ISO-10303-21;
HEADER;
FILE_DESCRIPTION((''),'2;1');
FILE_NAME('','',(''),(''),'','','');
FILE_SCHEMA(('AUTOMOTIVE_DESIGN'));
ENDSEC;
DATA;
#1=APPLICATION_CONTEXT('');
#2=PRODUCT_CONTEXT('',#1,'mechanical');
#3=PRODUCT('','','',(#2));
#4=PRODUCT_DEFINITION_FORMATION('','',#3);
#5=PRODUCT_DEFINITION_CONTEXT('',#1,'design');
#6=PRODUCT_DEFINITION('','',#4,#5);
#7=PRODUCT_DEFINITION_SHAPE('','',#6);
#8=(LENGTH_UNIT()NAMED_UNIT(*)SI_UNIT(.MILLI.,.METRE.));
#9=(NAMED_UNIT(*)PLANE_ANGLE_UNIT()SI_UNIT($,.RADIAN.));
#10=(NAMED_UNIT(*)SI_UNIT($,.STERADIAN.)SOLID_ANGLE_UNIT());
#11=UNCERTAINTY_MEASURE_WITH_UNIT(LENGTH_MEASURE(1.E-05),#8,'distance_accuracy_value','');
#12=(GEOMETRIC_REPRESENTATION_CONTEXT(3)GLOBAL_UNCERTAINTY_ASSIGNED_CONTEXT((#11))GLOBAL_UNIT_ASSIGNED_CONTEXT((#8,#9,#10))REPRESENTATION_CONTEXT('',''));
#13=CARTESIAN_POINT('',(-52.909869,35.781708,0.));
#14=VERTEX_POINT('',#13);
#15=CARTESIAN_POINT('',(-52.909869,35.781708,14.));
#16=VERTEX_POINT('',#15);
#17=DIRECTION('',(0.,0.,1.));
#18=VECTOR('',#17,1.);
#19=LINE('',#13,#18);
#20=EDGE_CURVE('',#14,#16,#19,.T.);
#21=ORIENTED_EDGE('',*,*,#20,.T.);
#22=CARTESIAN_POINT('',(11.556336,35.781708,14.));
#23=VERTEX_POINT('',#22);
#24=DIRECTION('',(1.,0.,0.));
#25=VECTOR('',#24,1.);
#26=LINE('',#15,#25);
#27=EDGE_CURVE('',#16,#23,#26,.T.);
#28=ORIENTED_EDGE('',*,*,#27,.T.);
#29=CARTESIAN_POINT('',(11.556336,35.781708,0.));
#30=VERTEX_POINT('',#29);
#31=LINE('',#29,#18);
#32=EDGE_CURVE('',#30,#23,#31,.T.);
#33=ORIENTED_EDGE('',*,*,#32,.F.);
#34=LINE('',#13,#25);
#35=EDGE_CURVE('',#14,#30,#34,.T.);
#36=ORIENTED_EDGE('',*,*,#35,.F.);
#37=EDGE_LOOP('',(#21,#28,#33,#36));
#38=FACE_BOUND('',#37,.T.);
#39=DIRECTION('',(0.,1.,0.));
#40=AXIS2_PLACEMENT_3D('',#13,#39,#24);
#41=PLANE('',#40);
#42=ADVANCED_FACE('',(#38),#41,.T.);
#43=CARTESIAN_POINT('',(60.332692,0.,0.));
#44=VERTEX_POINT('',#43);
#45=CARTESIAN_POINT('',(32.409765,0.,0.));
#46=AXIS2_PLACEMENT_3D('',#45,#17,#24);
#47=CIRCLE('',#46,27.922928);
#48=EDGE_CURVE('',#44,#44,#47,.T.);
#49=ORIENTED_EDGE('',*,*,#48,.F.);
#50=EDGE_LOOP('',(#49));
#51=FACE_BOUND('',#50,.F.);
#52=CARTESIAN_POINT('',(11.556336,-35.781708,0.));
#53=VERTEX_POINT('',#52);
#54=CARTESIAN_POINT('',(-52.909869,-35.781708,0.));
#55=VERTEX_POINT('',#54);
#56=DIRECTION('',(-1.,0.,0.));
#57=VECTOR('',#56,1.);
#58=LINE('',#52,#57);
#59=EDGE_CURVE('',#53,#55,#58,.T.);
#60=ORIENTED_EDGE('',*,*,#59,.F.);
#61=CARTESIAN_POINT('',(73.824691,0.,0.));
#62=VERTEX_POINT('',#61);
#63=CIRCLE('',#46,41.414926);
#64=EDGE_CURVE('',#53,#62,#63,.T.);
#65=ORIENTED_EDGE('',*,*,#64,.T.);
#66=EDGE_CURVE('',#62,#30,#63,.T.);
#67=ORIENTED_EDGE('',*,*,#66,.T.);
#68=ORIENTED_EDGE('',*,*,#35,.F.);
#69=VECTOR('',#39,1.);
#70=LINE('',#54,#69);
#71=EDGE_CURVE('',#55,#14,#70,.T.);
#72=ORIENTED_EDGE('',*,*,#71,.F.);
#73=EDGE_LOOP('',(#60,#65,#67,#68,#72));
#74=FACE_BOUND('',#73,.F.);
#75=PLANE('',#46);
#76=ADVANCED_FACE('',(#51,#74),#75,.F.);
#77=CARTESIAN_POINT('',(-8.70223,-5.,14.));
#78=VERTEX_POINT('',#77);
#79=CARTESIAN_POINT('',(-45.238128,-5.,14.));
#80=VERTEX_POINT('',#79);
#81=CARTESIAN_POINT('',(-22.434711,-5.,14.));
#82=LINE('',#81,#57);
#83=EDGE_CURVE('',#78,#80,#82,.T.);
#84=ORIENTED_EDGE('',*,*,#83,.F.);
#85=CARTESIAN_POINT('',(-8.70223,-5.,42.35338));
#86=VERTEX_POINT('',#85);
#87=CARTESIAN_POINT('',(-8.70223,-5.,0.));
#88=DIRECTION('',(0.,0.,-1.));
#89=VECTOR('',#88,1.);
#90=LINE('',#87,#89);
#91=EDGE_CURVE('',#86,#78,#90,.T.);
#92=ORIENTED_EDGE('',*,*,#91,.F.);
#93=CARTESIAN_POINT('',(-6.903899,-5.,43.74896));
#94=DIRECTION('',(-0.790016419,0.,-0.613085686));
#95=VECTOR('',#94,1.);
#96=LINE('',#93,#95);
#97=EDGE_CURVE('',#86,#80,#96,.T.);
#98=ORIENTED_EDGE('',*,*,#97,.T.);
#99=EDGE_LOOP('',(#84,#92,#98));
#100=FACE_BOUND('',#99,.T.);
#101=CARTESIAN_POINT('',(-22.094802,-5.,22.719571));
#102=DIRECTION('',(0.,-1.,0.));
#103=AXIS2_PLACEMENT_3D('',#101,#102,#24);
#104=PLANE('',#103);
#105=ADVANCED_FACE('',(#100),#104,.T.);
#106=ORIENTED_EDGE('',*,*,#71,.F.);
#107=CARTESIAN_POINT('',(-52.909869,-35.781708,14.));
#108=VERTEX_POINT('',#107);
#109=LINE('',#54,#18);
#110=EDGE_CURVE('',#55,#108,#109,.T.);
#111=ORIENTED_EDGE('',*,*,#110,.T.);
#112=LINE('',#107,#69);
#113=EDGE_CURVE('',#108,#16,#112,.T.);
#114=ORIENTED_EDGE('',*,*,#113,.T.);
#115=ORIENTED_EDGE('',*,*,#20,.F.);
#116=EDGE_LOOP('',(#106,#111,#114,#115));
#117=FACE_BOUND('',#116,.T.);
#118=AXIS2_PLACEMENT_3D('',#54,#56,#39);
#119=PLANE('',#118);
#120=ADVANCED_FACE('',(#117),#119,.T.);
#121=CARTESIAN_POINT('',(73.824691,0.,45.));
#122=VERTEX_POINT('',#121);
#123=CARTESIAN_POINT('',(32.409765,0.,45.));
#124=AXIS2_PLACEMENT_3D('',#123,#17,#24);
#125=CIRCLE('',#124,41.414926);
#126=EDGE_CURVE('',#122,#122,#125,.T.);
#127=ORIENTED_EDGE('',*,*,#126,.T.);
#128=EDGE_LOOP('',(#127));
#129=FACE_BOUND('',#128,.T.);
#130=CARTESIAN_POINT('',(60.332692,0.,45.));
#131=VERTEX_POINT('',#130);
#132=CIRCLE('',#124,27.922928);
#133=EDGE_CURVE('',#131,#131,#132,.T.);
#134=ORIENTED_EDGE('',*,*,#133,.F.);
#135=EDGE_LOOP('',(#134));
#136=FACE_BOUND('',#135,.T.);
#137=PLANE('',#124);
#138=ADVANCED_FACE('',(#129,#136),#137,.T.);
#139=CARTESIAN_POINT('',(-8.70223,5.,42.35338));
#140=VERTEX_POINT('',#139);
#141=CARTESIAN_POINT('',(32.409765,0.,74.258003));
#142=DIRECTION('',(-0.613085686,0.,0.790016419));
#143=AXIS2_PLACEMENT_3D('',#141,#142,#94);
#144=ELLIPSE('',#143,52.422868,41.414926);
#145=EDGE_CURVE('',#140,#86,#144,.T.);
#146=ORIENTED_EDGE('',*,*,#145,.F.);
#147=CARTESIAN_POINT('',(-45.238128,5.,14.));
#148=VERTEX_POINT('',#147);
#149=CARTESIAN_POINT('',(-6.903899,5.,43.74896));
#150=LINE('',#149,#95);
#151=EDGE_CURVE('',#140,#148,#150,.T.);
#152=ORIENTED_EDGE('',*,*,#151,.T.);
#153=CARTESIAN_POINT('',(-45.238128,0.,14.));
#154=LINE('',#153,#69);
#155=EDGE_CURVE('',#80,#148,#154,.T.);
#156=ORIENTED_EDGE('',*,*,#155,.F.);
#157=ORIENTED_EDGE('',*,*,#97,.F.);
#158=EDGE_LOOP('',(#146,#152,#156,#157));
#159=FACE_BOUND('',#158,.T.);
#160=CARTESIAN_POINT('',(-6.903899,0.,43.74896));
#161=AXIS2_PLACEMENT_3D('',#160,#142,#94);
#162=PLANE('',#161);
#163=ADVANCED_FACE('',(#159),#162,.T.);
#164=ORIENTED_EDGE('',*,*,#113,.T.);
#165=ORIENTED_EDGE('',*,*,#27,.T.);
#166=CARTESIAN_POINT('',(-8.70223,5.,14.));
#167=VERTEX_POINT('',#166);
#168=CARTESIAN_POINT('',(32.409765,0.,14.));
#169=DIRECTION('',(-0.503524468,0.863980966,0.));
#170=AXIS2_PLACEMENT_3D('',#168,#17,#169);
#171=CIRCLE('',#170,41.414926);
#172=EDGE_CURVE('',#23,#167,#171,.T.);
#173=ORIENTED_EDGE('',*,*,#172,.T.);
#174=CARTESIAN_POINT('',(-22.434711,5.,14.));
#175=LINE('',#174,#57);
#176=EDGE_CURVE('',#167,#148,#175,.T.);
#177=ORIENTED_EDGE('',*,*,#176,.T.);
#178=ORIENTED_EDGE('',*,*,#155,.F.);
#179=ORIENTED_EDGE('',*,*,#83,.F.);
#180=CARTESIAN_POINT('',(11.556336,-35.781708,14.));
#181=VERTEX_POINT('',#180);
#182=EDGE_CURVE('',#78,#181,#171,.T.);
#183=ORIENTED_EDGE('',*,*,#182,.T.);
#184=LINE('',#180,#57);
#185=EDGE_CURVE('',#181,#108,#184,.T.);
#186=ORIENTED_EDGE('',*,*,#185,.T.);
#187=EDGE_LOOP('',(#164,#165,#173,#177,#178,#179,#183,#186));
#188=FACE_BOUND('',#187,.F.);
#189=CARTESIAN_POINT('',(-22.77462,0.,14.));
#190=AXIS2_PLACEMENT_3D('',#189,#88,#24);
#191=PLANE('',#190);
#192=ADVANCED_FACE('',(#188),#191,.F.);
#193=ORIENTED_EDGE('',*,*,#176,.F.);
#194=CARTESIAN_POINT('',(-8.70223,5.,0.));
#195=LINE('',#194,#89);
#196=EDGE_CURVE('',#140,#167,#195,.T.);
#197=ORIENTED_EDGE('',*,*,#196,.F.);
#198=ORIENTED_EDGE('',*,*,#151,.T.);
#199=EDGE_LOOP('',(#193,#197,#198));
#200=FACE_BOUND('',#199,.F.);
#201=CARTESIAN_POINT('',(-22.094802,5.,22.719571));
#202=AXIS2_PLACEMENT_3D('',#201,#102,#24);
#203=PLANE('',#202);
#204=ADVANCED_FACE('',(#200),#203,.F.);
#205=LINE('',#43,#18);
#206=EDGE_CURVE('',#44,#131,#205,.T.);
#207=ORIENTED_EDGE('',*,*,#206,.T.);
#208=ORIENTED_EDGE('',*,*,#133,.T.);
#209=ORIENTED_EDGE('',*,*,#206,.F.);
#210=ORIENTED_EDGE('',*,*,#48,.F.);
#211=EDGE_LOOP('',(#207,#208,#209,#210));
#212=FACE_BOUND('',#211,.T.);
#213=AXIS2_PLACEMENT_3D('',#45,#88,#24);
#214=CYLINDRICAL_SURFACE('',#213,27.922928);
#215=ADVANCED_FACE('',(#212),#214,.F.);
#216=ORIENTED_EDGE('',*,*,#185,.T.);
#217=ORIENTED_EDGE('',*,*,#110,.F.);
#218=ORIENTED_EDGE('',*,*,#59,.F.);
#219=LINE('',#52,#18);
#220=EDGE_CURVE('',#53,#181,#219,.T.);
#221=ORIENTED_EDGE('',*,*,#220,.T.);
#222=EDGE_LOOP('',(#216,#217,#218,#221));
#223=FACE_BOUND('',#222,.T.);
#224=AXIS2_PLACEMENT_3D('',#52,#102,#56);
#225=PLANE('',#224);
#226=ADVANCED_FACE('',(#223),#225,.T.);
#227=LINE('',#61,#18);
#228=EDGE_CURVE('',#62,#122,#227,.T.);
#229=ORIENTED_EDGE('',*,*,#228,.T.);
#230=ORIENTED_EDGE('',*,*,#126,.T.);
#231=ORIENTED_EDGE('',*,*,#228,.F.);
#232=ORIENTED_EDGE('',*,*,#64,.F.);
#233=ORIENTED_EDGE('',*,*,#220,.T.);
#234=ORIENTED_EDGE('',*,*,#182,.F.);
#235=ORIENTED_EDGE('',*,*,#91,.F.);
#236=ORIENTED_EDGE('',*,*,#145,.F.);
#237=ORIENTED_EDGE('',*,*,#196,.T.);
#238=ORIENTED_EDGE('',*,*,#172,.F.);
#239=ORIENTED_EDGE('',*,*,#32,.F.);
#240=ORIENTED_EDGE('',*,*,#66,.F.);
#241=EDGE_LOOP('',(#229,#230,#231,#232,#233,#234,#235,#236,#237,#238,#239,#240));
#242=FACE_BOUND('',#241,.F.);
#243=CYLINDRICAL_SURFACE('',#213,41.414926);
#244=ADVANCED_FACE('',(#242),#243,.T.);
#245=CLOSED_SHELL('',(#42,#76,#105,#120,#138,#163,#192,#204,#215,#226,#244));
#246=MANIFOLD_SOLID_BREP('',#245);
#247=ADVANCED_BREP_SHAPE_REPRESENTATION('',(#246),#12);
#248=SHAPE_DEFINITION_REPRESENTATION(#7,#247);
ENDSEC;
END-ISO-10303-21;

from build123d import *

# Parameters (mm, degrees)
F0_R     = 41.4149264742
F0_R_2   = 27.9229275401
F1_DEPTH = 45
F3_DEPTH = 14
F5_DEPTH = 5


with BuildPart() as f1:
    # F0 (on Top) → F1 (new body)
    with BuildSketch(Plane.XY):
        with Locations((32.4097648263, 0)):
            Circle(F0_R)
        with Locations((32.4097648263, 0)):
            Circle(F0_R_2, mode=Mode.SUBTRACT)
    extrude(amount=F1_DEPTH)

    # F2 (on face) → F3 (join)
    with BuildSketch(Plane(origin=(0, 0, 0), x_dir=(1, 0, 0), z_dir=(0, 0, -1))):
        with BuildLine():
            Line((-52.9098688311, -35.7817081915), (11.5563360013, -35.7817081915))
            ThreePointArc((11.5563360013, -35.7817081915), (-9.0051616479, 0), (11.5563360013, 35.7817081915))
            Line((11.5563360013, 35.7817081915), (-52.9098688311, 35.7817081915))
            Line((-52.9098688311, 35.7817081915), (-52.9098688311, -35.7817081915))
        make_face()
    extrude(amount=-F3_DEPTH)

    # F4 (on Front) → F5 (join, symmetric)
    with BuildSketch(Plane.XZ):
        Polygon((-6.9038993679, 43.7489598989), (-47.6915575564, 12.0960362256), (-6.9038993679, 12.0960362256), align=None)
    extrude(amount=F5_DEPTH, both=True)


solid = f1.part
